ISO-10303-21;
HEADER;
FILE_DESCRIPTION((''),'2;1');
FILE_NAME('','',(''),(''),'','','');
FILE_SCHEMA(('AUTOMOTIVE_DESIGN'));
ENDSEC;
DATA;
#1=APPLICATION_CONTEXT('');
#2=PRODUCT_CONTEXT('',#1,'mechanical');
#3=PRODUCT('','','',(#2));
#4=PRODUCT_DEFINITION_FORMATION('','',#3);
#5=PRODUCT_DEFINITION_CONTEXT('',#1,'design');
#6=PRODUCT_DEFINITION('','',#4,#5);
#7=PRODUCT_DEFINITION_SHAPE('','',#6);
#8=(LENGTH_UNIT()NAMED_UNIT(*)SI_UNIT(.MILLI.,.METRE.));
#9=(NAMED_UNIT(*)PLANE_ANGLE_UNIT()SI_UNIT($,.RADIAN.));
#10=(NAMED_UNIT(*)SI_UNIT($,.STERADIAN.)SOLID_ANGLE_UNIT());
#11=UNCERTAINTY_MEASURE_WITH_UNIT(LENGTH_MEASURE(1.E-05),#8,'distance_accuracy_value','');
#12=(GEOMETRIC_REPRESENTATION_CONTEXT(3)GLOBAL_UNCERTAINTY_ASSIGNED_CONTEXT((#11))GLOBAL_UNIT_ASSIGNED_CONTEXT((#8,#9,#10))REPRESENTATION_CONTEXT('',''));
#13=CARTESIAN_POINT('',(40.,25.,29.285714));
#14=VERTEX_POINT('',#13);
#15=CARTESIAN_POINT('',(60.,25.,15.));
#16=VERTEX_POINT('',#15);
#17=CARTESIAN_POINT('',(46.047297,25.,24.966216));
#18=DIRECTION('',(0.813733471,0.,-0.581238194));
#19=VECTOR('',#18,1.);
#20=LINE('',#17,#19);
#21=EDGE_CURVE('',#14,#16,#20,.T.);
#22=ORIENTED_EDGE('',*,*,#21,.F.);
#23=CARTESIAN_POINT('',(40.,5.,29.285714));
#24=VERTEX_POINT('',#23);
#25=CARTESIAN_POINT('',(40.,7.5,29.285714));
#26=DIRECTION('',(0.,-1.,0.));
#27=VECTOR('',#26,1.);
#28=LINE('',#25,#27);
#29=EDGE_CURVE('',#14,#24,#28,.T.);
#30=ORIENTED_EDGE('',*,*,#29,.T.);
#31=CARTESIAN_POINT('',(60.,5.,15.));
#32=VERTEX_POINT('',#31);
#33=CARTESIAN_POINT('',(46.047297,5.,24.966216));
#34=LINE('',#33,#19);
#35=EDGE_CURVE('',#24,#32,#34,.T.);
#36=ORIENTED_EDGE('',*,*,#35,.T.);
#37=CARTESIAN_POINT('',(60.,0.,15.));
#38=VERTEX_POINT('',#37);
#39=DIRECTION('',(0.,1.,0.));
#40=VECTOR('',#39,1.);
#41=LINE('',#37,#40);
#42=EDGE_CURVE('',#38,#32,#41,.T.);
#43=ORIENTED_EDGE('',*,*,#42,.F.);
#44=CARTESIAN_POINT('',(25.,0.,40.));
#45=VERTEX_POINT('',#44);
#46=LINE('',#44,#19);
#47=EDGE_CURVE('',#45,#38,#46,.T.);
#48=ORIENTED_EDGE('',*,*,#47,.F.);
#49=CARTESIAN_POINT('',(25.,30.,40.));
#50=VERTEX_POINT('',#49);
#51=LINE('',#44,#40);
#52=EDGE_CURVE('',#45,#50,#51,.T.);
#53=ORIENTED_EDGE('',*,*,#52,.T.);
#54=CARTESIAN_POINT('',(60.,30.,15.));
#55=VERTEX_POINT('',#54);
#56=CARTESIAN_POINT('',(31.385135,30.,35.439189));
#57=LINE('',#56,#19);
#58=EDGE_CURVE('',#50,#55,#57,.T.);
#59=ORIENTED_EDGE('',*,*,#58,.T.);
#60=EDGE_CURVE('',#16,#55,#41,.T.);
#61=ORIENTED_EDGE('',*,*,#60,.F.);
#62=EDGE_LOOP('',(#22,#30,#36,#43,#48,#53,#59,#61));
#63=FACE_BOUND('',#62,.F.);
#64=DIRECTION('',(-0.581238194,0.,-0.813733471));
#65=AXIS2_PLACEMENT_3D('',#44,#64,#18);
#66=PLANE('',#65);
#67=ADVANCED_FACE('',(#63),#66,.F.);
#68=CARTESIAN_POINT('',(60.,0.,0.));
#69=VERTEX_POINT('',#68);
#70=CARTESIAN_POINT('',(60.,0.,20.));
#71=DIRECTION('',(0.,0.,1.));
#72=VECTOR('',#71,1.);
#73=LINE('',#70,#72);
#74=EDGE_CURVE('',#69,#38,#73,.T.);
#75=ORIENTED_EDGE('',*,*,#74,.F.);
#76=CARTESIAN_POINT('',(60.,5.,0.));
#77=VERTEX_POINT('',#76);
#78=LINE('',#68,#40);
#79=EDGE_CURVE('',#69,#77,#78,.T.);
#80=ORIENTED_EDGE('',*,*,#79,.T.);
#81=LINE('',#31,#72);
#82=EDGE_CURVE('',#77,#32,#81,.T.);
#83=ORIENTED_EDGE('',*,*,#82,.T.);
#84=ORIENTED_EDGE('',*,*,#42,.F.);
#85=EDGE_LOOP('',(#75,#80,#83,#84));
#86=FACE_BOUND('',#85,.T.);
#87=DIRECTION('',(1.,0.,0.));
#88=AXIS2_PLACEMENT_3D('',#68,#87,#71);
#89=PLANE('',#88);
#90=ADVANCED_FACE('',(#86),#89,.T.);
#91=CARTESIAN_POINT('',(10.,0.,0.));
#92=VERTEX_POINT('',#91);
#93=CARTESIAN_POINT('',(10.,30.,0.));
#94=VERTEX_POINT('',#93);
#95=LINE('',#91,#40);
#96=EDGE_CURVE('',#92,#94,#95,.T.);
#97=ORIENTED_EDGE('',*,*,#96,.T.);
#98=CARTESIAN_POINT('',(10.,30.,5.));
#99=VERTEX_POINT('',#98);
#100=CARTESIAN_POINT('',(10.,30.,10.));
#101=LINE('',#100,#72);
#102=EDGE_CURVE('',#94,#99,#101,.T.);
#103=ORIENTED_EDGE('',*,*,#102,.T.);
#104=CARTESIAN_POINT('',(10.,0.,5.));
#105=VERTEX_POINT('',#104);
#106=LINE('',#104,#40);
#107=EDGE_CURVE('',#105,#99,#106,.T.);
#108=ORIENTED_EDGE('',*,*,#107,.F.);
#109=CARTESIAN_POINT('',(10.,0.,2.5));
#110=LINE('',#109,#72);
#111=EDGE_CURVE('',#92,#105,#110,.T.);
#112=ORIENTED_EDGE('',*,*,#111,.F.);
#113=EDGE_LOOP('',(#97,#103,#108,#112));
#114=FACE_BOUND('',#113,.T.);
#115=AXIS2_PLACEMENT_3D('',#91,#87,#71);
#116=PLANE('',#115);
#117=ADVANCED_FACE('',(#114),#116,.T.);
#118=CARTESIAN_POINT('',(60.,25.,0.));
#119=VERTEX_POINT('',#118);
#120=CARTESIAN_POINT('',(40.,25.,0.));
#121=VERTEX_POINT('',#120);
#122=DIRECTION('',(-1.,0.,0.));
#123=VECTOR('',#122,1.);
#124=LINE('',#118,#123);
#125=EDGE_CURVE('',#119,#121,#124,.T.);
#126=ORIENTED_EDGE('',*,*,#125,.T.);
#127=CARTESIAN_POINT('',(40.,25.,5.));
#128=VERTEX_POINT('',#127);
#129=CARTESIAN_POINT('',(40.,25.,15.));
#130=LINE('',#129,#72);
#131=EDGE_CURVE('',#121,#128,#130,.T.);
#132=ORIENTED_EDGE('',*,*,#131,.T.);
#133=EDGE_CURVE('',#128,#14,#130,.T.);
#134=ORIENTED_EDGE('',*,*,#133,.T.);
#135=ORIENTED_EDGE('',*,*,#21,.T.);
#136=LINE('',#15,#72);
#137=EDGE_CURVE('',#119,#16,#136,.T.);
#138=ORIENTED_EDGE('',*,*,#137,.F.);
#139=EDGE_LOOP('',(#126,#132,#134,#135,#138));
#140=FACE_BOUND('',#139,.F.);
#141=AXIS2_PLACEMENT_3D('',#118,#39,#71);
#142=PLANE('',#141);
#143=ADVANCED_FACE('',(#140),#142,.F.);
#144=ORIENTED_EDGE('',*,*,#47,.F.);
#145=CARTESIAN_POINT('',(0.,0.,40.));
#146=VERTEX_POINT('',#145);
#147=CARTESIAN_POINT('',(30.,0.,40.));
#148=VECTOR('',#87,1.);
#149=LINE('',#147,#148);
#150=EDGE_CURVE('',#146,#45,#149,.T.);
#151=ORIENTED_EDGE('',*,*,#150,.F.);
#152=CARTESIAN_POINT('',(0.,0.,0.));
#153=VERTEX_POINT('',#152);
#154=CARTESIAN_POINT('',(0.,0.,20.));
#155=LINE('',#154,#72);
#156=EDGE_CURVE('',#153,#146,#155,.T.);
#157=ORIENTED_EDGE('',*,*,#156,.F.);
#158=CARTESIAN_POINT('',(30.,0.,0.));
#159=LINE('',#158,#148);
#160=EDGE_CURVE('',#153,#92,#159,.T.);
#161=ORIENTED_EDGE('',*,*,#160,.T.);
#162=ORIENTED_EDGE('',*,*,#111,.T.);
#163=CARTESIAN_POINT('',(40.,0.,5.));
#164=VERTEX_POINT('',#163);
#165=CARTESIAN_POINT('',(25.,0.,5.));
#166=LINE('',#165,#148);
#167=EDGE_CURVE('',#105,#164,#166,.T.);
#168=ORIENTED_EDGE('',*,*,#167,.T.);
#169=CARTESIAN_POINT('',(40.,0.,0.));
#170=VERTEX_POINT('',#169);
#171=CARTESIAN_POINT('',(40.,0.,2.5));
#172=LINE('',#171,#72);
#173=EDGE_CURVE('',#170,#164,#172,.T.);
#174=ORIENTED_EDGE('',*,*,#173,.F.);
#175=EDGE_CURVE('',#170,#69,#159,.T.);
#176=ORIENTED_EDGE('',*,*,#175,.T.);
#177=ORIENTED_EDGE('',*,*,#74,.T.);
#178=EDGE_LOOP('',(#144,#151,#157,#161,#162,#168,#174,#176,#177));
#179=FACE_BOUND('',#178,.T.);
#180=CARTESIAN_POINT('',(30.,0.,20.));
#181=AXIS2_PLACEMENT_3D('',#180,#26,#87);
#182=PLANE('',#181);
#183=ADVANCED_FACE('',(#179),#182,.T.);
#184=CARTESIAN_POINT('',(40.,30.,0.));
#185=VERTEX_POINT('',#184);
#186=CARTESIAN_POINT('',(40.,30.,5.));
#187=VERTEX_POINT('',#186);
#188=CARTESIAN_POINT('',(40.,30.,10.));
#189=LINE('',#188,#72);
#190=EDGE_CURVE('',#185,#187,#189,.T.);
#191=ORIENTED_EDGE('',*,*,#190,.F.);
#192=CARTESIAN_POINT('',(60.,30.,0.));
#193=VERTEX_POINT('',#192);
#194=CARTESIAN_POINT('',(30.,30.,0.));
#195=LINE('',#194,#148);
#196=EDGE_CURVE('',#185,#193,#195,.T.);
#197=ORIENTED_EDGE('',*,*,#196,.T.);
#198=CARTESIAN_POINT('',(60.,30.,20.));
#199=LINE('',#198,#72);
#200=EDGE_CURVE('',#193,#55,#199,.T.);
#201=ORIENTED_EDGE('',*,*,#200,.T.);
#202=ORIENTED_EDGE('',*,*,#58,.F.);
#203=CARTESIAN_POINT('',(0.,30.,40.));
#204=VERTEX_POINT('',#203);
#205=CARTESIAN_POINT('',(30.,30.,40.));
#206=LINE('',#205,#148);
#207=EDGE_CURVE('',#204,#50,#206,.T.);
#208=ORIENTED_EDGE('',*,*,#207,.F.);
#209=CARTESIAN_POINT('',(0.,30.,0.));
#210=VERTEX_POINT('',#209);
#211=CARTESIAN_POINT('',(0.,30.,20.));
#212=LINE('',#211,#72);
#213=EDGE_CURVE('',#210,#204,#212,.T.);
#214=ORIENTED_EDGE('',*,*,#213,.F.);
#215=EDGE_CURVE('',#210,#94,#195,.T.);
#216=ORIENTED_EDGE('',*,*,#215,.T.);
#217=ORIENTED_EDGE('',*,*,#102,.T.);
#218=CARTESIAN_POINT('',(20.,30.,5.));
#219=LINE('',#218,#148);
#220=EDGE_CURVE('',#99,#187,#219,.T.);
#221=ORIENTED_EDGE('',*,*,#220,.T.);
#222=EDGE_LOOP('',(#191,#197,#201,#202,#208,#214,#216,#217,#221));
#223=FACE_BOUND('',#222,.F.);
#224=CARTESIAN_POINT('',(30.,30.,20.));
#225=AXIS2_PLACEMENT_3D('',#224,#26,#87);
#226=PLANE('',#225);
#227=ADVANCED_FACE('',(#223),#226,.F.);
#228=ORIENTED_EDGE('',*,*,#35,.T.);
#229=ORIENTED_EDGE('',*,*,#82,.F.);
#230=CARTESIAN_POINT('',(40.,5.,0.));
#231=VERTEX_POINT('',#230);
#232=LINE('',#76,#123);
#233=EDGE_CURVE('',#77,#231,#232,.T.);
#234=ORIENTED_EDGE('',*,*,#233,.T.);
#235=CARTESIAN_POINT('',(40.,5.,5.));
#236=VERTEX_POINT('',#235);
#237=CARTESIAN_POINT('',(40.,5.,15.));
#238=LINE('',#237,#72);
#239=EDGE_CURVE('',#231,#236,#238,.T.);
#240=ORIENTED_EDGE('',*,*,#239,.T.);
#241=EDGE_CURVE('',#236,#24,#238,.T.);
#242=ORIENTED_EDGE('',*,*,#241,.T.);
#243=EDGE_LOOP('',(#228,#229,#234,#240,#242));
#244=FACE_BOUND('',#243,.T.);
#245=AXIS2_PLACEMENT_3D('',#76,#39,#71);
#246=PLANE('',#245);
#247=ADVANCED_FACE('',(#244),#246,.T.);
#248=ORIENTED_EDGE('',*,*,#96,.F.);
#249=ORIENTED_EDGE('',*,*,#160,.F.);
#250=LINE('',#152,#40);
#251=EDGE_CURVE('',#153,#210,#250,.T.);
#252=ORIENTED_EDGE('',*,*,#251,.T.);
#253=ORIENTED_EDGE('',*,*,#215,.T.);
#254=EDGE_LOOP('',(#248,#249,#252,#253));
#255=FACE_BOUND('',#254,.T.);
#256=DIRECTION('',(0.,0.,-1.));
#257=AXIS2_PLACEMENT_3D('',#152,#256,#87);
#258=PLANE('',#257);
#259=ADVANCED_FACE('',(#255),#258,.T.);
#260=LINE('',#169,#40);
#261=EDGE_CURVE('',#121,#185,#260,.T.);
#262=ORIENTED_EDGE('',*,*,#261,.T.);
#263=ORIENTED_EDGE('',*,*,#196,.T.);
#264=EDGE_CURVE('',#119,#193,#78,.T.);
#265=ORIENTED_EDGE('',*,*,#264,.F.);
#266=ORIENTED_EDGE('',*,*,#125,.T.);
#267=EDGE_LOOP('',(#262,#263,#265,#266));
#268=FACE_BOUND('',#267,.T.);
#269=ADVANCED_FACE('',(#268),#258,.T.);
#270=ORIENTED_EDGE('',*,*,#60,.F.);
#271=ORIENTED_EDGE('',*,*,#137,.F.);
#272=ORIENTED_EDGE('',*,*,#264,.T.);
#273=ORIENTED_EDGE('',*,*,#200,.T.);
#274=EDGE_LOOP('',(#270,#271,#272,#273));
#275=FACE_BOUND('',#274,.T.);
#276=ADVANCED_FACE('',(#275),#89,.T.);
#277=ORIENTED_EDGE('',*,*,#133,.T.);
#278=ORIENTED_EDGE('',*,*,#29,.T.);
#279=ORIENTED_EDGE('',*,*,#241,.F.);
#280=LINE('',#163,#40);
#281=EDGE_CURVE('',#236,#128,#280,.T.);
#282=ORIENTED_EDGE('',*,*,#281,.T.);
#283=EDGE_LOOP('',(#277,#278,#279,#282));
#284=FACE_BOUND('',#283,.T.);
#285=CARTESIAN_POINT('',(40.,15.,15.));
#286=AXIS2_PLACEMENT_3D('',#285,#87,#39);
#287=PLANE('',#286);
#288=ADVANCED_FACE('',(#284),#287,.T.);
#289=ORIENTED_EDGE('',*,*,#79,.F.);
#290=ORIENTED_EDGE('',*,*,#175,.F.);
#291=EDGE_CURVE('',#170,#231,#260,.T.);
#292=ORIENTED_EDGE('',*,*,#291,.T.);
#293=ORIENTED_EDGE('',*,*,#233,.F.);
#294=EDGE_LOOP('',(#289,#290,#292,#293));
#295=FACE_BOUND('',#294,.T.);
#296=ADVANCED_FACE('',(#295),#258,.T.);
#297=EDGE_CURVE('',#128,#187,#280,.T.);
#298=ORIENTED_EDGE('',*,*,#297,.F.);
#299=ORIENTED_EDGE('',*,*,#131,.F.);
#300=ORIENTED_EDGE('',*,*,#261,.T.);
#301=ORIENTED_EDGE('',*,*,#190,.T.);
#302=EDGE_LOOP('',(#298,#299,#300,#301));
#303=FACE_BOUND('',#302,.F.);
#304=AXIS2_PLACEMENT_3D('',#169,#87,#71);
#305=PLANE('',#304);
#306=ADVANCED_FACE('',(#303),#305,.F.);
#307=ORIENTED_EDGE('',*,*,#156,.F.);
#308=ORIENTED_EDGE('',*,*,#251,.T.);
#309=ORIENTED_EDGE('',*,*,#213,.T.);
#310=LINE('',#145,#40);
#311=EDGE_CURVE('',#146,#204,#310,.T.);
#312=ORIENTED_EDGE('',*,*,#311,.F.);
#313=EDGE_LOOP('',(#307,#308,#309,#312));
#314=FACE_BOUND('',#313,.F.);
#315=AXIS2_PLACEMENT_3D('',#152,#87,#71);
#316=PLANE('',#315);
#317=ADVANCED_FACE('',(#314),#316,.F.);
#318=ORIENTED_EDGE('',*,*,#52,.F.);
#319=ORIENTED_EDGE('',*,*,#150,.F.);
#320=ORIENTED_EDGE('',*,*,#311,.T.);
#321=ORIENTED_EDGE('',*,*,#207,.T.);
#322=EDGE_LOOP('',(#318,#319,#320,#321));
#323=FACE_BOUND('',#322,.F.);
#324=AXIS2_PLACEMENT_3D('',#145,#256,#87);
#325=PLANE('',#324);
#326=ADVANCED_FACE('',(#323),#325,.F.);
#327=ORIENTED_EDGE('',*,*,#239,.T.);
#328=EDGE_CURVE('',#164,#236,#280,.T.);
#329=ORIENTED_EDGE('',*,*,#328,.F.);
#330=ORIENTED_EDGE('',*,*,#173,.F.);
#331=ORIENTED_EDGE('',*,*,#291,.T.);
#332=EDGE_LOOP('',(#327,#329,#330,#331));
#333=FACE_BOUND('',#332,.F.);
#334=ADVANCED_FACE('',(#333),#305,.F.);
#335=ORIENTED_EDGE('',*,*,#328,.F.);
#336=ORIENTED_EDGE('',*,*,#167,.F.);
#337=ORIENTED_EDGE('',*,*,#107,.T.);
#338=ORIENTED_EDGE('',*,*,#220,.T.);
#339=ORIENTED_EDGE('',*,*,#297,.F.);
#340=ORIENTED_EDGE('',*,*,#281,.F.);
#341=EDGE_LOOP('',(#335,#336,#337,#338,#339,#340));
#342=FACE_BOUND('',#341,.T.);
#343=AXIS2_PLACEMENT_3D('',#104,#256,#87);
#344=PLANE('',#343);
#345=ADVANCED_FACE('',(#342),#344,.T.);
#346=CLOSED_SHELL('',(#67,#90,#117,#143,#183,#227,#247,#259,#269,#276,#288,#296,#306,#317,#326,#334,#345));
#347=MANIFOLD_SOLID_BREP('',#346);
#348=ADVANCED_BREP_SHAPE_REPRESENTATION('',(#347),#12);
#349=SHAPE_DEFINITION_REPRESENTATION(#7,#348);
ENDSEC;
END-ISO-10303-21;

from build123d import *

# Parameters (mm, degrees)
F0_W     = 60
F0_H     = 40
F1_DEPTH = 30
F2_W     = 30
F2_H     = 5
F3_DEPTH = 30.001
F5_W     = 20
F5_H     = 30
F6_DEPTH = 20


with BuildPart() as f1:
    # F0 (on Front) → F1 (new body)
    with BuildSketch(Plane.XZ):
        with Locations((30, 20)):
            Rectangle(F0_W, F0_H)
    extrude(amount=-F1_DEPTH)

    # F2 (on face) → F3 (cut, through all)
    with BuildSketch(Plane.XZ):
        with Locations((25, 2.5)):
            Rectangle(F2_W, F2_H)
        Polygon((60, 40), (25, 40), (60, 15), align=None)
    extrude(amount=-F3_DEPTH, mode=Mode.SUBTRACT)

    # F5 (on offset) → F6 (cut)
    with BuildSketch(Plane.YZ.offset(60)):
        with Locations((15, 15)):
            Rectangle(F5_W, F5_H)
    extrude(amount=-F6_DEPTH, mode=Mode.SUBTRACT)


solid = f1.part
